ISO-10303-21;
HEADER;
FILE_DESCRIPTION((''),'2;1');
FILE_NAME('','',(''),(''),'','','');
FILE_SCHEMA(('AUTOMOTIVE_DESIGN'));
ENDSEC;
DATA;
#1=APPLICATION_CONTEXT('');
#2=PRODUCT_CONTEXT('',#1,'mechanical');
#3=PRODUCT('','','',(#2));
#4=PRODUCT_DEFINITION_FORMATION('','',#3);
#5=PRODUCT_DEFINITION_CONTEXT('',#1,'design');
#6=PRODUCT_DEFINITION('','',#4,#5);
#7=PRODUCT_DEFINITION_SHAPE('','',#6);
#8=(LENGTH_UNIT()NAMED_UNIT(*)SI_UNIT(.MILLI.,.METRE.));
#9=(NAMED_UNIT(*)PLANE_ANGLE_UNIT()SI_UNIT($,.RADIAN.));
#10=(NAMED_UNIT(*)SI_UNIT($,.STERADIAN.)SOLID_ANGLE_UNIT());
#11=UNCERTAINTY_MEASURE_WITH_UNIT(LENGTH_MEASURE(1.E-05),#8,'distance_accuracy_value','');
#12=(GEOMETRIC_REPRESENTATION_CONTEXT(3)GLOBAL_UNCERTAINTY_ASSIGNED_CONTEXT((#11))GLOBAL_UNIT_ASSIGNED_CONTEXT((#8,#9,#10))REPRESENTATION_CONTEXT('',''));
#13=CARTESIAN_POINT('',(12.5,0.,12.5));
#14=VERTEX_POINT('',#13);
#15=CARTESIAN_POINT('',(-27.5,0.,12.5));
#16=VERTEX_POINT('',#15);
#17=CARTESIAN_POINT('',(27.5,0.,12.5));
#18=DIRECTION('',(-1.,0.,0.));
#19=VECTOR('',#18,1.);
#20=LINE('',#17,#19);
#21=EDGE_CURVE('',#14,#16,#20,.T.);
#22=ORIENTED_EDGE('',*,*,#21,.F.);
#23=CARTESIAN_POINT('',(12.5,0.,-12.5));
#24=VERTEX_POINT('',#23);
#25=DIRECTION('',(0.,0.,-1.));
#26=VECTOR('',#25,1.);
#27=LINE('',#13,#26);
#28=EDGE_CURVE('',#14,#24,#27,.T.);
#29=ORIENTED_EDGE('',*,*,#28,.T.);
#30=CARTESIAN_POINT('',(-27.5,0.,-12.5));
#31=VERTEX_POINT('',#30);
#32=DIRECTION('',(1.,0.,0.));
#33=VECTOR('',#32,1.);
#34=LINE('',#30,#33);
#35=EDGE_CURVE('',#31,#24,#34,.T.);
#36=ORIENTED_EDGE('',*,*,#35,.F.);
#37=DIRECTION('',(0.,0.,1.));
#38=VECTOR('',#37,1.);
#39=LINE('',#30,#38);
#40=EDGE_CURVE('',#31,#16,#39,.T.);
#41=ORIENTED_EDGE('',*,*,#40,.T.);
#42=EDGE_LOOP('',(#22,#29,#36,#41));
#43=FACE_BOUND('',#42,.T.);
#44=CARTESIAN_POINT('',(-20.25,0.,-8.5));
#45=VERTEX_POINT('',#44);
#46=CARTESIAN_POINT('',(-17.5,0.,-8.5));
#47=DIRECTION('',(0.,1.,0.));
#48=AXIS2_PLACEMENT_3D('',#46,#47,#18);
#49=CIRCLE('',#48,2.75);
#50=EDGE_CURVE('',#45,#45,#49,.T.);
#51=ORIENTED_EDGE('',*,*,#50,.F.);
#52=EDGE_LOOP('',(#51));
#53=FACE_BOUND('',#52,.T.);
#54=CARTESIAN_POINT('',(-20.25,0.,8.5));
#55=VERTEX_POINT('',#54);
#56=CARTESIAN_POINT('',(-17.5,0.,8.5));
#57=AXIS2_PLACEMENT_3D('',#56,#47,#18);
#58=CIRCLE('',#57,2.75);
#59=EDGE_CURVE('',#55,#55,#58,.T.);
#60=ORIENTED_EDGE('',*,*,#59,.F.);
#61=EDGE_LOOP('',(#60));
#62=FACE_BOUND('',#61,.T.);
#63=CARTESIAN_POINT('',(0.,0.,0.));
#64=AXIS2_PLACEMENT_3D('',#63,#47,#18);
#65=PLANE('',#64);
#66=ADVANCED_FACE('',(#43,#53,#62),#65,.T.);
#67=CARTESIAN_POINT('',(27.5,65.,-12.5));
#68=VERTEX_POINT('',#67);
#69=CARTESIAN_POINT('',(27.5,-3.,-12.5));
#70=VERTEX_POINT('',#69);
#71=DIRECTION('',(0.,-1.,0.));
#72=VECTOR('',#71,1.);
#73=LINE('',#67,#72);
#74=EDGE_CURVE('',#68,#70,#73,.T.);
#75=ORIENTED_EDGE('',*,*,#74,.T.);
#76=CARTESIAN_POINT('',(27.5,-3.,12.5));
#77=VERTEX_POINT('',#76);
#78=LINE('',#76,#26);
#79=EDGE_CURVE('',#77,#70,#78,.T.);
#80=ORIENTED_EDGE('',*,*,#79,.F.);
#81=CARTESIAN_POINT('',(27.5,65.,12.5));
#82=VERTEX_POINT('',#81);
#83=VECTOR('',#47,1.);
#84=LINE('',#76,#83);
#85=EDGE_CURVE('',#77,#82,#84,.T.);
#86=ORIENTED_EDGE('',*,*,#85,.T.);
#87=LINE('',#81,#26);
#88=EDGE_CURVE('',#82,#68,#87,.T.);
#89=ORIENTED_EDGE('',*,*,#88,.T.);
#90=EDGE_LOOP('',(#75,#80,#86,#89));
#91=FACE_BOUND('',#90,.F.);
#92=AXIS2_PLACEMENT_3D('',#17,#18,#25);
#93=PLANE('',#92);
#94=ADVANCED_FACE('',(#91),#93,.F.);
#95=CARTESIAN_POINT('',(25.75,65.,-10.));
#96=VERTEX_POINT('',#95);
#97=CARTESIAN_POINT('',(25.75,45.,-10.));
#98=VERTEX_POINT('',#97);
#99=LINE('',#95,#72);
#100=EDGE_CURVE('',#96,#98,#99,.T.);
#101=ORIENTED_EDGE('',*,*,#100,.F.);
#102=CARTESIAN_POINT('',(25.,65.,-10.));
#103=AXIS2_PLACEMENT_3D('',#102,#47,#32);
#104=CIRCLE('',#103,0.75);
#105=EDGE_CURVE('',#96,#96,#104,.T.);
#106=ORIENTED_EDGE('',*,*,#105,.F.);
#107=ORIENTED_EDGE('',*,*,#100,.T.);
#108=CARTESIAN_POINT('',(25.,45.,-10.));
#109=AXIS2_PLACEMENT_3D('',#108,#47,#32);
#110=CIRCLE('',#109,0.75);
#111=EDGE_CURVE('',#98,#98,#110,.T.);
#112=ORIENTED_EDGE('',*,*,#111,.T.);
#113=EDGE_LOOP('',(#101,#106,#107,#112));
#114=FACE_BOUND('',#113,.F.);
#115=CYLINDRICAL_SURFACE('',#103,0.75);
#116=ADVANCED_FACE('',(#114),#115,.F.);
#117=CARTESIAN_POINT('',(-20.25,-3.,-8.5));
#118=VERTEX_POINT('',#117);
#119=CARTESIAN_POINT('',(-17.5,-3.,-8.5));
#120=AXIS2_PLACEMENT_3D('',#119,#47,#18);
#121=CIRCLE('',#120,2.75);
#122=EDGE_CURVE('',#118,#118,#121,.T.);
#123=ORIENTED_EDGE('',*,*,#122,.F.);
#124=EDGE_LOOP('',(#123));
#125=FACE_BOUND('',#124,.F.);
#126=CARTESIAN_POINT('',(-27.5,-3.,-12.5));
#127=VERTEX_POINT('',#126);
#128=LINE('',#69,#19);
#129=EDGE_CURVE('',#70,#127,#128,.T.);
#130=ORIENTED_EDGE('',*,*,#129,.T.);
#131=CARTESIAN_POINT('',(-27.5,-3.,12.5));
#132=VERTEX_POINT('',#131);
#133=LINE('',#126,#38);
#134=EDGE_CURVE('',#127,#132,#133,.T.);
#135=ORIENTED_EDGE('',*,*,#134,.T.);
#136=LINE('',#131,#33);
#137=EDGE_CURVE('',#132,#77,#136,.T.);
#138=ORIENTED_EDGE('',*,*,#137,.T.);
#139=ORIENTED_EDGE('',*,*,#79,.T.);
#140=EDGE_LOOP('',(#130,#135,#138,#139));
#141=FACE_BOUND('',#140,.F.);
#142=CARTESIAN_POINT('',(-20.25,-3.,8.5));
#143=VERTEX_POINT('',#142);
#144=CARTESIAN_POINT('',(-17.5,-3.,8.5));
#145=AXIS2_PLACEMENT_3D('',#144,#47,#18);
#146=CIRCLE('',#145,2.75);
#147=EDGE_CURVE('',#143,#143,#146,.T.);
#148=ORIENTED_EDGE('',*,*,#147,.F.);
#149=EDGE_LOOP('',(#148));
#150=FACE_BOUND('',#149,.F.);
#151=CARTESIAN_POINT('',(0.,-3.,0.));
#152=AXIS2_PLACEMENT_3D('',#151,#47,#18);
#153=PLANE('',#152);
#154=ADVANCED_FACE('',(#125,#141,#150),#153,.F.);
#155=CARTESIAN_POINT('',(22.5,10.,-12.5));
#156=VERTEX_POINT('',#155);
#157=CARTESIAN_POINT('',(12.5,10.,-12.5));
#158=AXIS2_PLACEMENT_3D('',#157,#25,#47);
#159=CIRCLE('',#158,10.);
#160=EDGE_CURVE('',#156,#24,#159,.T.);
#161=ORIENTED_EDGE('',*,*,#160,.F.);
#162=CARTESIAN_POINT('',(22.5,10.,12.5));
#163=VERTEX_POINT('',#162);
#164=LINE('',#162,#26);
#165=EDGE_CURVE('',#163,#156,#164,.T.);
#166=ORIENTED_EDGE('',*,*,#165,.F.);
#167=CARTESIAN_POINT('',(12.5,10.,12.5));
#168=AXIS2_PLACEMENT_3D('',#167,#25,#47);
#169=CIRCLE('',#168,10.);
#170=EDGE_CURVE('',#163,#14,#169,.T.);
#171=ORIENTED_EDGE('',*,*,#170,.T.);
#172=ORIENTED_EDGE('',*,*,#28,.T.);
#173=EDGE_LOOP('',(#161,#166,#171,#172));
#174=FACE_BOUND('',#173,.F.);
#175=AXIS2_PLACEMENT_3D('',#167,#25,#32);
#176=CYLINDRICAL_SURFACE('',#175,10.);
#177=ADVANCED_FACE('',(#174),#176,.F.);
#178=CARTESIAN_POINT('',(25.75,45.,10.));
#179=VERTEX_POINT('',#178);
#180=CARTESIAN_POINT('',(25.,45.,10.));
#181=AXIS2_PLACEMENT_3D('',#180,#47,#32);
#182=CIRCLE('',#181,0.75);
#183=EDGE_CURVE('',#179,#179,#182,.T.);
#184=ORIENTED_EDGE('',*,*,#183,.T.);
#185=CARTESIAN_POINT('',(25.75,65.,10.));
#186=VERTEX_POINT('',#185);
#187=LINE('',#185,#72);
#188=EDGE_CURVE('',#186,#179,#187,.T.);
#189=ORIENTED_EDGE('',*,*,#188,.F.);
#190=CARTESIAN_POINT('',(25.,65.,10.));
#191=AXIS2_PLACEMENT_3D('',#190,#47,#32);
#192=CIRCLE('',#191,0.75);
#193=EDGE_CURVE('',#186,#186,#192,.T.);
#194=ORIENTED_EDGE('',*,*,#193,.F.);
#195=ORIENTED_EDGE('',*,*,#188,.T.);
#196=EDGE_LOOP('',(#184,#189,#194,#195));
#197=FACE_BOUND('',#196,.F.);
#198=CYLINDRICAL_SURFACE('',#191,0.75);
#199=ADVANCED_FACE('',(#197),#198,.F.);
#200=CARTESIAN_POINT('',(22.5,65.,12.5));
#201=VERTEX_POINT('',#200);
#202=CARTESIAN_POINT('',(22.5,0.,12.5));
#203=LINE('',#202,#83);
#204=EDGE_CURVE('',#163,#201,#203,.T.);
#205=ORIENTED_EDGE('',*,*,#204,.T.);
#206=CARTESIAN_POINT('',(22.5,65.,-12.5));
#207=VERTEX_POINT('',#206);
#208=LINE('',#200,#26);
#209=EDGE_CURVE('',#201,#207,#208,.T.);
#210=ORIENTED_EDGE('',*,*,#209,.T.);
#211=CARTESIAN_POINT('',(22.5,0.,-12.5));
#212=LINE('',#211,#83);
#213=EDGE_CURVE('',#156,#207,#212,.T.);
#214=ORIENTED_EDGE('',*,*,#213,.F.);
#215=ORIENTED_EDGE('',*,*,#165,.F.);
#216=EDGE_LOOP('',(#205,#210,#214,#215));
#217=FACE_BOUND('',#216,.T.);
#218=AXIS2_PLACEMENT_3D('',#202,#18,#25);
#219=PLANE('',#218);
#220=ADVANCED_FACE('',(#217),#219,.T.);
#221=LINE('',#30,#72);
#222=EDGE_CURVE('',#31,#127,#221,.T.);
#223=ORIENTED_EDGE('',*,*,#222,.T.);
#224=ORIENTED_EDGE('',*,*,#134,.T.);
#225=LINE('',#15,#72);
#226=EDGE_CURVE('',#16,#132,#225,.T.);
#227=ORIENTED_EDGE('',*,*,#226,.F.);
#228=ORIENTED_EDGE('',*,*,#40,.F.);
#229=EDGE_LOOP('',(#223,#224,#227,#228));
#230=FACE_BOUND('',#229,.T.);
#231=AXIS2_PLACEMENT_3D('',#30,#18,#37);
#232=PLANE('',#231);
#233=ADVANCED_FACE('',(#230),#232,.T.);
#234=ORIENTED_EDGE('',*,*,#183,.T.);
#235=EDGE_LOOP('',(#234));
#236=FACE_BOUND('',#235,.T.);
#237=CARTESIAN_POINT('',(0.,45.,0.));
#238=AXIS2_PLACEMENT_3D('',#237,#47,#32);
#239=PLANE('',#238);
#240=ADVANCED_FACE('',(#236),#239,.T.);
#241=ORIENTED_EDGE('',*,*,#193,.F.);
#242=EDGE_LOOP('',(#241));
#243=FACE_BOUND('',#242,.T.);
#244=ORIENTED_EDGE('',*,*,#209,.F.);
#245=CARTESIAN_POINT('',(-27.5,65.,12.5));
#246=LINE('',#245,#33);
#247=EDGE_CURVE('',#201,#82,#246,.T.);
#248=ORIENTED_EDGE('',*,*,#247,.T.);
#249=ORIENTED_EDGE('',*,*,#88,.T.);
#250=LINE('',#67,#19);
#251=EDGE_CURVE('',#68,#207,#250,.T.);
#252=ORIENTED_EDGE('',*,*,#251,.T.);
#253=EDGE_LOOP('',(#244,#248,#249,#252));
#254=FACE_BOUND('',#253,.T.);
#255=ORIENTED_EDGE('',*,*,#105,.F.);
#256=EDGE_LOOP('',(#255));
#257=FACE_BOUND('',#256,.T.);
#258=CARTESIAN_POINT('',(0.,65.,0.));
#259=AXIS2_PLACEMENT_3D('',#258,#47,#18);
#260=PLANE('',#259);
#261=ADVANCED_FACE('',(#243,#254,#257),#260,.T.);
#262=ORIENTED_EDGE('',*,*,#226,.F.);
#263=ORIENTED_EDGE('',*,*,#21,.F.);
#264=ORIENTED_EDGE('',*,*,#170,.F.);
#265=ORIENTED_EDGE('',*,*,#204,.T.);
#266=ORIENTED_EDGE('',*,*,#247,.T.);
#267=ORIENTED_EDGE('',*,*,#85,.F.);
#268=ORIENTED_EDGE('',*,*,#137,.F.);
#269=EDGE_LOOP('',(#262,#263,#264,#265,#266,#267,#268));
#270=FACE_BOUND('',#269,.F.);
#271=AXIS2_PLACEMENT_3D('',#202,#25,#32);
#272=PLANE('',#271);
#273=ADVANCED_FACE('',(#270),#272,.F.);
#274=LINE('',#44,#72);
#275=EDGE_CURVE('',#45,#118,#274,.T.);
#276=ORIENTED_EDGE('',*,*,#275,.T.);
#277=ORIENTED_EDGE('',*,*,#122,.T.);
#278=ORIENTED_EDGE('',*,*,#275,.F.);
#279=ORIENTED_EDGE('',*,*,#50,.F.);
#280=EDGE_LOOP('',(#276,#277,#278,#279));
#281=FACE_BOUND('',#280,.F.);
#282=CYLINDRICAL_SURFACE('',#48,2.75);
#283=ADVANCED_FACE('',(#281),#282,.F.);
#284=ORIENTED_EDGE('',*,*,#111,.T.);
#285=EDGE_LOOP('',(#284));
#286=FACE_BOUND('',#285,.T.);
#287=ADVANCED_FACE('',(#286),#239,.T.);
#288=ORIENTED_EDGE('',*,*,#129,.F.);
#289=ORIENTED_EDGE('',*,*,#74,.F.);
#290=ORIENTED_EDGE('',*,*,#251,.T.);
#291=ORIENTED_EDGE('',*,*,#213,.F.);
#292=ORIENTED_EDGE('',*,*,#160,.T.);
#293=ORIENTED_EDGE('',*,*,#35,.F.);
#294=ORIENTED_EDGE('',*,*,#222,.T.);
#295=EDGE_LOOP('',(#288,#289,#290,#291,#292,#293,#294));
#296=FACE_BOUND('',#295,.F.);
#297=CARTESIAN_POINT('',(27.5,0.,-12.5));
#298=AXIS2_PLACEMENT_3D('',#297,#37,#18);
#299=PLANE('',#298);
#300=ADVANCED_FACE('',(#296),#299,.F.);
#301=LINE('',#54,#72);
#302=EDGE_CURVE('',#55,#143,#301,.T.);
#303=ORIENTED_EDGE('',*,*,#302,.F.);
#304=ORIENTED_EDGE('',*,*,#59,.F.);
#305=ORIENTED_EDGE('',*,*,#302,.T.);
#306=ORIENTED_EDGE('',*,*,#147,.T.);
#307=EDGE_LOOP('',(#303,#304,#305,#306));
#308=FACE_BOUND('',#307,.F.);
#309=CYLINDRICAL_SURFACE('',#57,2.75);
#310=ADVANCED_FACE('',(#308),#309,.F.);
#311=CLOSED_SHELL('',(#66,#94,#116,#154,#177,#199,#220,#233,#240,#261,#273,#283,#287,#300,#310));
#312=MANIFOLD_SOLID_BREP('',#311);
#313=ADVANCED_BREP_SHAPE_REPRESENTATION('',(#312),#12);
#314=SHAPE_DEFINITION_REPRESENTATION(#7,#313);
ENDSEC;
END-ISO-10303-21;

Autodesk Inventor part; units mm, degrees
ref_plane "YZ Plane" through (0, 0, 0) normal (1, 0, 0) x (0, 1, 0)
ref_plane "XZ Plane" through (0, 0, 0) normal (0, 1, 0) x (-1, 0, 0)
ref_plane "XY Plane" through (0, 0, 0) normal (0, 0, 1) x (1, 0, 0)
sketch "Sketch1" plane through (0, 0, 0) normal (0, 1, 0) x (-1, 0, 0)
  line L0 (27.5, 12.5) -> (-27.5, 12.5)
  line L1 (-27.5, 12.5) -> (-27.5, -12.5)
  line L2 (-27.5, -12.5) -> (27.5, -12.5)
  line L3 (27.5, -12.5) -> (27.5, 12.5)
  line L4 (27.5, 12.5) -> (-27.5, -12.5) construction
  line L5 (-27.5, 12.5) -> (27.5, -12.5) construction
  line L6 (27.5, 0) -> (17.5, 0) construction
  line L7 (17.5, 12.5) -> (17.5, 8.5) construction
  line L8 (17.5, -12.5) -> (17.5, -8.5) construction
  circle A0 centre (17.5, 8.5) radius 2.75
  circle A1 centre (17.5, -8.5) radius 2.75
  line L9 (-27.5, 12.5) -> (-22.5, 12.5) construction
  line L10 (-22.5, 12.5) -> (-22.5, -12.5)
  point P0 (0, 0)
  dimension "d0" = 55
  dimension "d1" = 25
  dimension "d2" = 10
  dimension "d3" = 4
  dimension "d4" = 4
  dimension "d5" = 5.5
  dimension "d6" = 5.5
  dimension "d7" = 5
extrude "Extrusion1" add sketch "Sketch1" against normal blind 3 contours L3 L2 L10 L0
extrude "Extrusion2" add sketch "Sketch1" against normal blind 3 contours L10 L2 L1 L0
extrude "Extrusion3" add sketch "Sketch1" along normal blind 65 contours L10 L2 L1 L0
sketch "Sketch2" plane through (0, 65, 0) normal (0, 1, 0) x (1, 0, 0)
  line L0 (27.5, -12.5) -> (-27.5, -12.5) construction
  line L1 (27.5, -12.5) -> (25, -12.5) construction
  line L2 (25, -12.5) -> (25, -10) construction
  line L3 (27.5, 12.5) -> (22.5, 12.5) construction
  line L4 (25, 12.5) -> (25, 10) construction
  circle A0 centre (25, -10) radius 0.75
  circle A1 centre (25, 10) radius 0.75
  point P0 (0, 0)
  dimension "d14" = 2.5
  dimension "d15" = 2.5
  dimension "d16" = 2.5
  dimension "d17" = 1.5
  dimension "d18" = 1.5
extrude "Extrusion4" cut sketch "Sketch2" against normal blind 20
fillet "Fillet1" radius 10 1 edges at (22.5, 0, 0)
properties part number "Camera_Wiper"
